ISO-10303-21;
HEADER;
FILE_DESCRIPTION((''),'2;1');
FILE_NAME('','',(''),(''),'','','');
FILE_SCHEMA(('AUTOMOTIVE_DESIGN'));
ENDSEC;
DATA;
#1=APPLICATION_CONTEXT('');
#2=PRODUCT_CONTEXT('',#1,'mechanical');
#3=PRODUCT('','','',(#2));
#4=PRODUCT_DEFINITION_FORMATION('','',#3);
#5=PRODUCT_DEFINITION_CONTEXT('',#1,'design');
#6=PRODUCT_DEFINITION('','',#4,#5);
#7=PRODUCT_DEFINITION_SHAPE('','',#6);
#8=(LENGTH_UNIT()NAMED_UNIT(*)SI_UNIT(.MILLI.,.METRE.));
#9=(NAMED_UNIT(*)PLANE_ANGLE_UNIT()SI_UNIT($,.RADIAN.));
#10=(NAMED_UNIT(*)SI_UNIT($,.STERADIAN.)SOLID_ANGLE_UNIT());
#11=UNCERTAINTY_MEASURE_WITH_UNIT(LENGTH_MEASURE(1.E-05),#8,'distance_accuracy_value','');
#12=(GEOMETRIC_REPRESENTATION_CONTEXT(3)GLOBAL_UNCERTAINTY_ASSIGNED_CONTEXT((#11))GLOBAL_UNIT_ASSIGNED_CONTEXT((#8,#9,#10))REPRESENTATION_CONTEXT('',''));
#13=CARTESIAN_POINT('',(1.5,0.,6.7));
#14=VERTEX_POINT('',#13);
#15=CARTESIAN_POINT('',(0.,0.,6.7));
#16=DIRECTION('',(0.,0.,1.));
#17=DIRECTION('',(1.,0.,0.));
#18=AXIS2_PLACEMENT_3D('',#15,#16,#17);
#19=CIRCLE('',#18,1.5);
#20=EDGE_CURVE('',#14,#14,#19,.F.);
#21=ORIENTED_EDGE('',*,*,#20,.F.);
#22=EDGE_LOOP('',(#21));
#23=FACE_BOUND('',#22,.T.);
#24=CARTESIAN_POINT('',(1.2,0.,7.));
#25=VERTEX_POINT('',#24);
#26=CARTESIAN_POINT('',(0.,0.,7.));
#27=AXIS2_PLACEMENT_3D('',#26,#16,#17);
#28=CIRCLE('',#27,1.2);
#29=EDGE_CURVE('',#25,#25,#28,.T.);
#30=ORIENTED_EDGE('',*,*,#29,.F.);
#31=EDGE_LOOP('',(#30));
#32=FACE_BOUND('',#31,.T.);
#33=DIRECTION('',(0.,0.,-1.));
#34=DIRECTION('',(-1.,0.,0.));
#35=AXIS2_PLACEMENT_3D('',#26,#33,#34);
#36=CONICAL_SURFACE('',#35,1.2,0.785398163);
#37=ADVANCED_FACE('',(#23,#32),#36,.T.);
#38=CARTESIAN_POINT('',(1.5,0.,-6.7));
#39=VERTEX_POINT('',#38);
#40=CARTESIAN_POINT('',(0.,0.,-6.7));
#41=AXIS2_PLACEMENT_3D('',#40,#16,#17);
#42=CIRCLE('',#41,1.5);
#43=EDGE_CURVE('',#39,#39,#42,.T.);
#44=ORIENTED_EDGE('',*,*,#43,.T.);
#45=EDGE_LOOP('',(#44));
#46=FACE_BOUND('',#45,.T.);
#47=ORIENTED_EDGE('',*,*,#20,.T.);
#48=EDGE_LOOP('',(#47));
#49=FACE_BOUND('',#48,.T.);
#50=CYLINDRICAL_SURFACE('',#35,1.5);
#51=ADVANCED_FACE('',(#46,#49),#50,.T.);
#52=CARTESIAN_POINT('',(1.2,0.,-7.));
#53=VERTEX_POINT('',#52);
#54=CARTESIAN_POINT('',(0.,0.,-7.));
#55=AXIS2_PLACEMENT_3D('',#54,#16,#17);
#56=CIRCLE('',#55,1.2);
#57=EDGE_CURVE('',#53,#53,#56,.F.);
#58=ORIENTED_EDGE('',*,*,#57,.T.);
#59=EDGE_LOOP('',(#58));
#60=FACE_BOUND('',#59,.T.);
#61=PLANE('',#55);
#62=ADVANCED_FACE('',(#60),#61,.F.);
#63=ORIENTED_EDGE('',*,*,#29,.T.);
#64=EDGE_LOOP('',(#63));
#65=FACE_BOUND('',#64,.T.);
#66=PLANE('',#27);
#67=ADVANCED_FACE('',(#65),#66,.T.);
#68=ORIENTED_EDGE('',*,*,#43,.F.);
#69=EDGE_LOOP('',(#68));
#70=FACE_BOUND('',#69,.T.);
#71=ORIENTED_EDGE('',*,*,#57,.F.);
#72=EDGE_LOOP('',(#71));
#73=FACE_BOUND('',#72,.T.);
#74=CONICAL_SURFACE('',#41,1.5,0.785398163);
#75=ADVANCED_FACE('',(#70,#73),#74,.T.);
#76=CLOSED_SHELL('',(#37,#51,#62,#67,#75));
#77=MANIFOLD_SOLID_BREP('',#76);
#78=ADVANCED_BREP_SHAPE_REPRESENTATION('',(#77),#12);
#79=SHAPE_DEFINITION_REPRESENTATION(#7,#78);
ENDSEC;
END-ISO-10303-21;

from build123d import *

# Parameters (mm, degrees)
SKETCH1_R           = 1.5
BOSS_EXTRUDE1_DEPTH = 7
CHAMFER1_SIZE       = 0.3


with BuildPart() as part:
    # Sketch1 → Boss-Extrude1 (new body, symmetric)
    with BuildSketch(Plane.XY):
        Circle(SKETCH1_R)
    extrude(amount=BOSS_EXTRUDE1_DEPTH, both=True)

    # Chamfer1
    chamfer1_edges = [part.edges().sort_by_distance(p)[0] for p in [
        (-1.5, 0, -7),
        (-1.5, 0, 7),
    ]]
    chamfer(chamfer1_edges, length=CHAMFER1_SIZE)


solid = part.part
